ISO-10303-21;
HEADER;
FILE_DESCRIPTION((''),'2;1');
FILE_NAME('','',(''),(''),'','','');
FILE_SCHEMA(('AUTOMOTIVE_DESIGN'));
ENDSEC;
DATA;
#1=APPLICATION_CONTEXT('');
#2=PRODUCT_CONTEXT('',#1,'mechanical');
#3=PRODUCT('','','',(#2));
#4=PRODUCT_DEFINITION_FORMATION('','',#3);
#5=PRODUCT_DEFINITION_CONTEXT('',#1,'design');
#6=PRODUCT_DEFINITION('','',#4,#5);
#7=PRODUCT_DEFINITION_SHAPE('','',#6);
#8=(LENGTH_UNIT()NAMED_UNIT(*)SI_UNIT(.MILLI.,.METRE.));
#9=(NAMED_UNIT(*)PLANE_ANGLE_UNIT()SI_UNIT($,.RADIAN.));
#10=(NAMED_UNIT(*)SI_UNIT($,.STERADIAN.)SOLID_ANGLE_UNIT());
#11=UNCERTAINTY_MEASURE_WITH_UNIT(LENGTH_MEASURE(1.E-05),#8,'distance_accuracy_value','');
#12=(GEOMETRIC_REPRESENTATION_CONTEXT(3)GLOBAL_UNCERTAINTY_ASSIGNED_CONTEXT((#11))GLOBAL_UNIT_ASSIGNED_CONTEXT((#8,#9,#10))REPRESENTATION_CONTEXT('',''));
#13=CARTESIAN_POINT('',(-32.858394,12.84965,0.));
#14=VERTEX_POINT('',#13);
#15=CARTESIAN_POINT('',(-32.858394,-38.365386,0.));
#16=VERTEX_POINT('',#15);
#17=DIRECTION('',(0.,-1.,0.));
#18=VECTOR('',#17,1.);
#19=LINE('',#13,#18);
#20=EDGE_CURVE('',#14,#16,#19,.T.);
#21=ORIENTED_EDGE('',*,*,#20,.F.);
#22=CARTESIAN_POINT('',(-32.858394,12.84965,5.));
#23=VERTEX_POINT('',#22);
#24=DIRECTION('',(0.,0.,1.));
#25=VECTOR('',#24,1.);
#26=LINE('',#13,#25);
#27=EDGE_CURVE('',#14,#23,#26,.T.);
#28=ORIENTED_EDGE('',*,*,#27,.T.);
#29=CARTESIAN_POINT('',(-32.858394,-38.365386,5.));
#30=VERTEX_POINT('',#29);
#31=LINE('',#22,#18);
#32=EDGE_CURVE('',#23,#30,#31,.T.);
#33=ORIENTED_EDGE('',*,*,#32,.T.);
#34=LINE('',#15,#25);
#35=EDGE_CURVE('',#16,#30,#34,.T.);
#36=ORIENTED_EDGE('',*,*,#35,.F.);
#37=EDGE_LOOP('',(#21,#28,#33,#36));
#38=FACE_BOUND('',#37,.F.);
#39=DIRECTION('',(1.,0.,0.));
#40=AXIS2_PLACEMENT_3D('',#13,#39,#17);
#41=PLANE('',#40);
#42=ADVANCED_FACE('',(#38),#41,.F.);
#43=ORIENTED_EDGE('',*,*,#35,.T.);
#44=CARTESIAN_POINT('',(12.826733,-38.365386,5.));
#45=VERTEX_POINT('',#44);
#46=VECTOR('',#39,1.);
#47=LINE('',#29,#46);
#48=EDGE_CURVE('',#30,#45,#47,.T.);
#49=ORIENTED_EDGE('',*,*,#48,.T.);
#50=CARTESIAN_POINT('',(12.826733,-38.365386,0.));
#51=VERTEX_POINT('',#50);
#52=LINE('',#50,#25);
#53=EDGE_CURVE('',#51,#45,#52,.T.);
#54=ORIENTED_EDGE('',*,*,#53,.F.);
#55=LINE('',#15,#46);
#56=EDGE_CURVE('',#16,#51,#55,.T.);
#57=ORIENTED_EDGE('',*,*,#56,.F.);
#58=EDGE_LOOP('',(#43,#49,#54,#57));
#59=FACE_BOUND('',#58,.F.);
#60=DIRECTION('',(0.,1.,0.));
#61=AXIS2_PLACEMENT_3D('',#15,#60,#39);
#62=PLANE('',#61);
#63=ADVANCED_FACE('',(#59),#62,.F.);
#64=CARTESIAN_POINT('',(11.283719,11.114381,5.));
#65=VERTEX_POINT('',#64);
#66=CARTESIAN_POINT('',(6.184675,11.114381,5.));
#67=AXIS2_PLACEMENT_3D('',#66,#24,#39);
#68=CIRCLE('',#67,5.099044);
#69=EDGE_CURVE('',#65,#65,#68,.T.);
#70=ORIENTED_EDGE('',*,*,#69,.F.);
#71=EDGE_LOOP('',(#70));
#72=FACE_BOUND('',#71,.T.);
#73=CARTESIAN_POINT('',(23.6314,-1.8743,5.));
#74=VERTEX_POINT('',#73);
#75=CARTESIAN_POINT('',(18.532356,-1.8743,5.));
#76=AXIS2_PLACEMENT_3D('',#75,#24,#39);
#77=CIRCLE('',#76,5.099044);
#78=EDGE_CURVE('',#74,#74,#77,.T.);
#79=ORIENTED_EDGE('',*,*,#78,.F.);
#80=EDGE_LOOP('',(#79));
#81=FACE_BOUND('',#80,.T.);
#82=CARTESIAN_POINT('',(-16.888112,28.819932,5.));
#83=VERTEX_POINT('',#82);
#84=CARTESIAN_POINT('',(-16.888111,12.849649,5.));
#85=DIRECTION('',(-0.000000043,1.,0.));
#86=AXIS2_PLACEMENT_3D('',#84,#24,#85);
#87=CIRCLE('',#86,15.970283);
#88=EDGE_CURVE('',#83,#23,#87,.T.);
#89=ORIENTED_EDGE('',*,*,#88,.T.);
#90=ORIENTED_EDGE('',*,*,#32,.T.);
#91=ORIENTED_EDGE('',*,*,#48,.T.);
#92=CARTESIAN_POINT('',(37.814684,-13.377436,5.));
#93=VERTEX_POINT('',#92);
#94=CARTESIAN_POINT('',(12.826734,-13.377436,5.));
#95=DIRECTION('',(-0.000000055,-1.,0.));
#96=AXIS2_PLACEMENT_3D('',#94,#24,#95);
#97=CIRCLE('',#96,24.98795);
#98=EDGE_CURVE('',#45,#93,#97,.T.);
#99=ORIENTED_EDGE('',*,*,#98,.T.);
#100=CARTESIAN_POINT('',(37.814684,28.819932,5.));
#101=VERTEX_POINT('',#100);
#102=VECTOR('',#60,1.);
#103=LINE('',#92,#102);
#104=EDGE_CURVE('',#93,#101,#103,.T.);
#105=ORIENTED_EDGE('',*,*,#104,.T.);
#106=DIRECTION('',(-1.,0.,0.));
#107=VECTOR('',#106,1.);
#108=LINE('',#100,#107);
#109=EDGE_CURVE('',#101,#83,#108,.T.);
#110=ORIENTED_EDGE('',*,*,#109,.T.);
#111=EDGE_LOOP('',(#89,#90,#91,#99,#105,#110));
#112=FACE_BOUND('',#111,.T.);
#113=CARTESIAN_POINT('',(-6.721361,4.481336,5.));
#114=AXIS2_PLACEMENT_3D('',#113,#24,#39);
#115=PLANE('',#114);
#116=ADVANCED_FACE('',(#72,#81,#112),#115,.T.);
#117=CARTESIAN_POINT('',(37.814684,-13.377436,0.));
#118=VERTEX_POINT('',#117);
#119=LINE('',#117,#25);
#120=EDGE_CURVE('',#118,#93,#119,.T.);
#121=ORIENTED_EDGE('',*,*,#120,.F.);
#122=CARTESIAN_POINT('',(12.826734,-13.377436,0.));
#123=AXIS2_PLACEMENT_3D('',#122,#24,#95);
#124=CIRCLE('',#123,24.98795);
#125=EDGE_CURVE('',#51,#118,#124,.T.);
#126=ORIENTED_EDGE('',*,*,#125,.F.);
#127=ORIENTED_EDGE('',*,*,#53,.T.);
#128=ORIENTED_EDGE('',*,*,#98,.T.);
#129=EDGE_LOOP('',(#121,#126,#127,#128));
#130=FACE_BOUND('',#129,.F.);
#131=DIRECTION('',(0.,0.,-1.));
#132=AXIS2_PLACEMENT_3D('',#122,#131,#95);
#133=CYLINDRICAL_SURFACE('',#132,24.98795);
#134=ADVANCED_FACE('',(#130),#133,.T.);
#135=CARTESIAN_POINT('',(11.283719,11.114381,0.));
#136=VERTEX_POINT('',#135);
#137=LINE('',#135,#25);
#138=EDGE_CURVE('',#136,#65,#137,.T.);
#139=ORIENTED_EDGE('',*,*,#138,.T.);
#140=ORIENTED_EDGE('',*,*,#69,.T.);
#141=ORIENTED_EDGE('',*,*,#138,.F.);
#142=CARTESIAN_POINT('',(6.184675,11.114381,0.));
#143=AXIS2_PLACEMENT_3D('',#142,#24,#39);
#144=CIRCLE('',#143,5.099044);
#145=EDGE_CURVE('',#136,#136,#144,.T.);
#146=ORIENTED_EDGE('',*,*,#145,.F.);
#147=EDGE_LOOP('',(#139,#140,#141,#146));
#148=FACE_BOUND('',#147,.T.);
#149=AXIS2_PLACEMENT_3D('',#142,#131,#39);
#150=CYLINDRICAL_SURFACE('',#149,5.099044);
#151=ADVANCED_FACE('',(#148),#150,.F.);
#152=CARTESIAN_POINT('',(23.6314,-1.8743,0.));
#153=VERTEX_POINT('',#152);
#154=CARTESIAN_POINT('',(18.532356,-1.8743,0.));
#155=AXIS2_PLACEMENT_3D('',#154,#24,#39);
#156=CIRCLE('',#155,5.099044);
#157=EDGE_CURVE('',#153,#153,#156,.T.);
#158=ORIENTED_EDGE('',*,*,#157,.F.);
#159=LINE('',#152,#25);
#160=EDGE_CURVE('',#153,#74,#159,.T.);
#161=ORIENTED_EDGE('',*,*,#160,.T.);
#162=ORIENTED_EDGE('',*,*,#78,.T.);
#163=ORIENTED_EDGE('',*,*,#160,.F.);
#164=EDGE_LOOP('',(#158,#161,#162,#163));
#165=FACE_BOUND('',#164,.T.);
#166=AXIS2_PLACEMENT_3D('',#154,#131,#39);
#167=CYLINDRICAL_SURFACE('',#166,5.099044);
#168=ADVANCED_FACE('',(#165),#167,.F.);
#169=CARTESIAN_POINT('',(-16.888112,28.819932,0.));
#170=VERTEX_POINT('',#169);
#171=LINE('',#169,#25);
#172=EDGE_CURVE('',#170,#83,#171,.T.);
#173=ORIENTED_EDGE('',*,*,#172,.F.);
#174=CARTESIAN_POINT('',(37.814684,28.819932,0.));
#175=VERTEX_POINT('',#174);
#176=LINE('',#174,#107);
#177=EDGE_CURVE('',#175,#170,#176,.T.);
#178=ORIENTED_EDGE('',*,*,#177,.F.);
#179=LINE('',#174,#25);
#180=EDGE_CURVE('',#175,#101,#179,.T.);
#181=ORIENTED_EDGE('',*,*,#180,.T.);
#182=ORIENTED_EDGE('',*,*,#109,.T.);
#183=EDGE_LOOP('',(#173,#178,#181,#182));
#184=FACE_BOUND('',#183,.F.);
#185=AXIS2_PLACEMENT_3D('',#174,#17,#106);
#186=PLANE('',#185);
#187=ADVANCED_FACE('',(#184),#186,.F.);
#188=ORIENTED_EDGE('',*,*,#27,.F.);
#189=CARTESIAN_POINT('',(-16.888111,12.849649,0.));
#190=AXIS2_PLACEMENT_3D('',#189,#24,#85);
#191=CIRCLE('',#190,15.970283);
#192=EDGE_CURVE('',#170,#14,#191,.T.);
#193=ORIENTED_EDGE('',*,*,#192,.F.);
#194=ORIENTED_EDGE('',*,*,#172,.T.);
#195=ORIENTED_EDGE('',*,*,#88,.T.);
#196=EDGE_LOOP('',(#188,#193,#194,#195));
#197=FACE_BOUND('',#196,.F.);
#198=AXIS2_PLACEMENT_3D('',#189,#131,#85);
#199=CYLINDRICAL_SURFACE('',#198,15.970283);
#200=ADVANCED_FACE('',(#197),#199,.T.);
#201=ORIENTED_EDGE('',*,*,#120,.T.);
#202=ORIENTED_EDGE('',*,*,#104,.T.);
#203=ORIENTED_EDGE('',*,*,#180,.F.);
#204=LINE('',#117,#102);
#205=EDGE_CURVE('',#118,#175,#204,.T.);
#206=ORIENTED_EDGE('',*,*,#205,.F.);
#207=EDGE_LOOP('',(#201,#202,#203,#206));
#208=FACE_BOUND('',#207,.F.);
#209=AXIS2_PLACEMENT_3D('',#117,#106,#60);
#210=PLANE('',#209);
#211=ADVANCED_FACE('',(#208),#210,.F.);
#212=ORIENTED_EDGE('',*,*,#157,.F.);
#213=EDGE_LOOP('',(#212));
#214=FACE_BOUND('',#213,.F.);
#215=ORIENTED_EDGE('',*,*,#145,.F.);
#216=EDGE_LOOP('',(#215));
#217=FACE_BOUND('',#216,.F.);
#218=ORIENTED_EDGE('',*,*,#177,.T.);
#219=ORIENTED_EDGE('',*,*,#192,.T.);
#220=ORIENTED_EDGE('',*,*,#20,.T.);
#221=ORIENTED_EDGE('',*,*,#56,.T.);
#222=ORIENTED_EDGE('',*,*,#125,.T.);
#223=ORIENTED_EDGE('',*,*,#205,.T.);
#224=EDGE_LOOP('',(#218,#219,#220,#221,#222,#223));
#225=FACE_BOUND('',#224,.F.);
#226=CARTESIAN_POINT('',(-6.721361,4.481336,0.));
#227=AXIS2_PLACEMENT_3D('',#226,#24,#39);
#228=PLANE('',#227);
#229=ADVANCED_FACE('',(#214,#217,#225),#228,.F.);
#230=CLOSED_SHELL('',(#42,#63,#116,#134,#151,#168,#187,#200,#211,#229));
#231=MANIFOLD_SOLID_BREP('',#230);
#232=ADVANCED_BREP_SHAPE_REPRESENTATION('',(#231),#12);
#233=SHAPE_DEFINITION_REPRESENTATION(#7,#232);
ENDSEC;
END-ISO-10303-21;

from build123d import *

# Parameters (mm, degrees)
F0_R     = 5.099044
F1_DEPTH = 5


with BuildPart() as f1:
    # F0 (on Top) → F1 (new body)
    with BuildSketch(Plane.XY):
        with BuildLine():
            Line((37.814684, 28.819932), (-16.888112, 28.819932))
            ThreePointArc((-16.888112, 28.819932), (-28.180807, 24.142344), (-32.858394, 12.84965))
            Line((-32.858394, 12.84965), (-32.858394, -38.365386))
            Line((-32.858394, -38.365386), (37.814684, 28.819932))
        make_face()
        with Locations((6.184675, 11.114381)):
            Circle(F0_R, mode=Mode.SUBTRACT)
        with BuildLine():
            Line((37.814684, -13.377436), (37.814684, 28.819932))
            Line((37.814684, 28.819932), (-32.858394, -38.365386))
            Line((-32.858394, -38.365386), (12.826733, -38.365386))
            ThreePointArc((12.826733, -38.365386), (30.495883, -31.046585), (37.814684, -13.377436))
        make_face()
        with Locations((18.532356, -1.8743)):
            Circle(F0_R, mode=Mode.SUBTRACT)
    extrude(amount=F1_DEPTH)


solid = f1.part
